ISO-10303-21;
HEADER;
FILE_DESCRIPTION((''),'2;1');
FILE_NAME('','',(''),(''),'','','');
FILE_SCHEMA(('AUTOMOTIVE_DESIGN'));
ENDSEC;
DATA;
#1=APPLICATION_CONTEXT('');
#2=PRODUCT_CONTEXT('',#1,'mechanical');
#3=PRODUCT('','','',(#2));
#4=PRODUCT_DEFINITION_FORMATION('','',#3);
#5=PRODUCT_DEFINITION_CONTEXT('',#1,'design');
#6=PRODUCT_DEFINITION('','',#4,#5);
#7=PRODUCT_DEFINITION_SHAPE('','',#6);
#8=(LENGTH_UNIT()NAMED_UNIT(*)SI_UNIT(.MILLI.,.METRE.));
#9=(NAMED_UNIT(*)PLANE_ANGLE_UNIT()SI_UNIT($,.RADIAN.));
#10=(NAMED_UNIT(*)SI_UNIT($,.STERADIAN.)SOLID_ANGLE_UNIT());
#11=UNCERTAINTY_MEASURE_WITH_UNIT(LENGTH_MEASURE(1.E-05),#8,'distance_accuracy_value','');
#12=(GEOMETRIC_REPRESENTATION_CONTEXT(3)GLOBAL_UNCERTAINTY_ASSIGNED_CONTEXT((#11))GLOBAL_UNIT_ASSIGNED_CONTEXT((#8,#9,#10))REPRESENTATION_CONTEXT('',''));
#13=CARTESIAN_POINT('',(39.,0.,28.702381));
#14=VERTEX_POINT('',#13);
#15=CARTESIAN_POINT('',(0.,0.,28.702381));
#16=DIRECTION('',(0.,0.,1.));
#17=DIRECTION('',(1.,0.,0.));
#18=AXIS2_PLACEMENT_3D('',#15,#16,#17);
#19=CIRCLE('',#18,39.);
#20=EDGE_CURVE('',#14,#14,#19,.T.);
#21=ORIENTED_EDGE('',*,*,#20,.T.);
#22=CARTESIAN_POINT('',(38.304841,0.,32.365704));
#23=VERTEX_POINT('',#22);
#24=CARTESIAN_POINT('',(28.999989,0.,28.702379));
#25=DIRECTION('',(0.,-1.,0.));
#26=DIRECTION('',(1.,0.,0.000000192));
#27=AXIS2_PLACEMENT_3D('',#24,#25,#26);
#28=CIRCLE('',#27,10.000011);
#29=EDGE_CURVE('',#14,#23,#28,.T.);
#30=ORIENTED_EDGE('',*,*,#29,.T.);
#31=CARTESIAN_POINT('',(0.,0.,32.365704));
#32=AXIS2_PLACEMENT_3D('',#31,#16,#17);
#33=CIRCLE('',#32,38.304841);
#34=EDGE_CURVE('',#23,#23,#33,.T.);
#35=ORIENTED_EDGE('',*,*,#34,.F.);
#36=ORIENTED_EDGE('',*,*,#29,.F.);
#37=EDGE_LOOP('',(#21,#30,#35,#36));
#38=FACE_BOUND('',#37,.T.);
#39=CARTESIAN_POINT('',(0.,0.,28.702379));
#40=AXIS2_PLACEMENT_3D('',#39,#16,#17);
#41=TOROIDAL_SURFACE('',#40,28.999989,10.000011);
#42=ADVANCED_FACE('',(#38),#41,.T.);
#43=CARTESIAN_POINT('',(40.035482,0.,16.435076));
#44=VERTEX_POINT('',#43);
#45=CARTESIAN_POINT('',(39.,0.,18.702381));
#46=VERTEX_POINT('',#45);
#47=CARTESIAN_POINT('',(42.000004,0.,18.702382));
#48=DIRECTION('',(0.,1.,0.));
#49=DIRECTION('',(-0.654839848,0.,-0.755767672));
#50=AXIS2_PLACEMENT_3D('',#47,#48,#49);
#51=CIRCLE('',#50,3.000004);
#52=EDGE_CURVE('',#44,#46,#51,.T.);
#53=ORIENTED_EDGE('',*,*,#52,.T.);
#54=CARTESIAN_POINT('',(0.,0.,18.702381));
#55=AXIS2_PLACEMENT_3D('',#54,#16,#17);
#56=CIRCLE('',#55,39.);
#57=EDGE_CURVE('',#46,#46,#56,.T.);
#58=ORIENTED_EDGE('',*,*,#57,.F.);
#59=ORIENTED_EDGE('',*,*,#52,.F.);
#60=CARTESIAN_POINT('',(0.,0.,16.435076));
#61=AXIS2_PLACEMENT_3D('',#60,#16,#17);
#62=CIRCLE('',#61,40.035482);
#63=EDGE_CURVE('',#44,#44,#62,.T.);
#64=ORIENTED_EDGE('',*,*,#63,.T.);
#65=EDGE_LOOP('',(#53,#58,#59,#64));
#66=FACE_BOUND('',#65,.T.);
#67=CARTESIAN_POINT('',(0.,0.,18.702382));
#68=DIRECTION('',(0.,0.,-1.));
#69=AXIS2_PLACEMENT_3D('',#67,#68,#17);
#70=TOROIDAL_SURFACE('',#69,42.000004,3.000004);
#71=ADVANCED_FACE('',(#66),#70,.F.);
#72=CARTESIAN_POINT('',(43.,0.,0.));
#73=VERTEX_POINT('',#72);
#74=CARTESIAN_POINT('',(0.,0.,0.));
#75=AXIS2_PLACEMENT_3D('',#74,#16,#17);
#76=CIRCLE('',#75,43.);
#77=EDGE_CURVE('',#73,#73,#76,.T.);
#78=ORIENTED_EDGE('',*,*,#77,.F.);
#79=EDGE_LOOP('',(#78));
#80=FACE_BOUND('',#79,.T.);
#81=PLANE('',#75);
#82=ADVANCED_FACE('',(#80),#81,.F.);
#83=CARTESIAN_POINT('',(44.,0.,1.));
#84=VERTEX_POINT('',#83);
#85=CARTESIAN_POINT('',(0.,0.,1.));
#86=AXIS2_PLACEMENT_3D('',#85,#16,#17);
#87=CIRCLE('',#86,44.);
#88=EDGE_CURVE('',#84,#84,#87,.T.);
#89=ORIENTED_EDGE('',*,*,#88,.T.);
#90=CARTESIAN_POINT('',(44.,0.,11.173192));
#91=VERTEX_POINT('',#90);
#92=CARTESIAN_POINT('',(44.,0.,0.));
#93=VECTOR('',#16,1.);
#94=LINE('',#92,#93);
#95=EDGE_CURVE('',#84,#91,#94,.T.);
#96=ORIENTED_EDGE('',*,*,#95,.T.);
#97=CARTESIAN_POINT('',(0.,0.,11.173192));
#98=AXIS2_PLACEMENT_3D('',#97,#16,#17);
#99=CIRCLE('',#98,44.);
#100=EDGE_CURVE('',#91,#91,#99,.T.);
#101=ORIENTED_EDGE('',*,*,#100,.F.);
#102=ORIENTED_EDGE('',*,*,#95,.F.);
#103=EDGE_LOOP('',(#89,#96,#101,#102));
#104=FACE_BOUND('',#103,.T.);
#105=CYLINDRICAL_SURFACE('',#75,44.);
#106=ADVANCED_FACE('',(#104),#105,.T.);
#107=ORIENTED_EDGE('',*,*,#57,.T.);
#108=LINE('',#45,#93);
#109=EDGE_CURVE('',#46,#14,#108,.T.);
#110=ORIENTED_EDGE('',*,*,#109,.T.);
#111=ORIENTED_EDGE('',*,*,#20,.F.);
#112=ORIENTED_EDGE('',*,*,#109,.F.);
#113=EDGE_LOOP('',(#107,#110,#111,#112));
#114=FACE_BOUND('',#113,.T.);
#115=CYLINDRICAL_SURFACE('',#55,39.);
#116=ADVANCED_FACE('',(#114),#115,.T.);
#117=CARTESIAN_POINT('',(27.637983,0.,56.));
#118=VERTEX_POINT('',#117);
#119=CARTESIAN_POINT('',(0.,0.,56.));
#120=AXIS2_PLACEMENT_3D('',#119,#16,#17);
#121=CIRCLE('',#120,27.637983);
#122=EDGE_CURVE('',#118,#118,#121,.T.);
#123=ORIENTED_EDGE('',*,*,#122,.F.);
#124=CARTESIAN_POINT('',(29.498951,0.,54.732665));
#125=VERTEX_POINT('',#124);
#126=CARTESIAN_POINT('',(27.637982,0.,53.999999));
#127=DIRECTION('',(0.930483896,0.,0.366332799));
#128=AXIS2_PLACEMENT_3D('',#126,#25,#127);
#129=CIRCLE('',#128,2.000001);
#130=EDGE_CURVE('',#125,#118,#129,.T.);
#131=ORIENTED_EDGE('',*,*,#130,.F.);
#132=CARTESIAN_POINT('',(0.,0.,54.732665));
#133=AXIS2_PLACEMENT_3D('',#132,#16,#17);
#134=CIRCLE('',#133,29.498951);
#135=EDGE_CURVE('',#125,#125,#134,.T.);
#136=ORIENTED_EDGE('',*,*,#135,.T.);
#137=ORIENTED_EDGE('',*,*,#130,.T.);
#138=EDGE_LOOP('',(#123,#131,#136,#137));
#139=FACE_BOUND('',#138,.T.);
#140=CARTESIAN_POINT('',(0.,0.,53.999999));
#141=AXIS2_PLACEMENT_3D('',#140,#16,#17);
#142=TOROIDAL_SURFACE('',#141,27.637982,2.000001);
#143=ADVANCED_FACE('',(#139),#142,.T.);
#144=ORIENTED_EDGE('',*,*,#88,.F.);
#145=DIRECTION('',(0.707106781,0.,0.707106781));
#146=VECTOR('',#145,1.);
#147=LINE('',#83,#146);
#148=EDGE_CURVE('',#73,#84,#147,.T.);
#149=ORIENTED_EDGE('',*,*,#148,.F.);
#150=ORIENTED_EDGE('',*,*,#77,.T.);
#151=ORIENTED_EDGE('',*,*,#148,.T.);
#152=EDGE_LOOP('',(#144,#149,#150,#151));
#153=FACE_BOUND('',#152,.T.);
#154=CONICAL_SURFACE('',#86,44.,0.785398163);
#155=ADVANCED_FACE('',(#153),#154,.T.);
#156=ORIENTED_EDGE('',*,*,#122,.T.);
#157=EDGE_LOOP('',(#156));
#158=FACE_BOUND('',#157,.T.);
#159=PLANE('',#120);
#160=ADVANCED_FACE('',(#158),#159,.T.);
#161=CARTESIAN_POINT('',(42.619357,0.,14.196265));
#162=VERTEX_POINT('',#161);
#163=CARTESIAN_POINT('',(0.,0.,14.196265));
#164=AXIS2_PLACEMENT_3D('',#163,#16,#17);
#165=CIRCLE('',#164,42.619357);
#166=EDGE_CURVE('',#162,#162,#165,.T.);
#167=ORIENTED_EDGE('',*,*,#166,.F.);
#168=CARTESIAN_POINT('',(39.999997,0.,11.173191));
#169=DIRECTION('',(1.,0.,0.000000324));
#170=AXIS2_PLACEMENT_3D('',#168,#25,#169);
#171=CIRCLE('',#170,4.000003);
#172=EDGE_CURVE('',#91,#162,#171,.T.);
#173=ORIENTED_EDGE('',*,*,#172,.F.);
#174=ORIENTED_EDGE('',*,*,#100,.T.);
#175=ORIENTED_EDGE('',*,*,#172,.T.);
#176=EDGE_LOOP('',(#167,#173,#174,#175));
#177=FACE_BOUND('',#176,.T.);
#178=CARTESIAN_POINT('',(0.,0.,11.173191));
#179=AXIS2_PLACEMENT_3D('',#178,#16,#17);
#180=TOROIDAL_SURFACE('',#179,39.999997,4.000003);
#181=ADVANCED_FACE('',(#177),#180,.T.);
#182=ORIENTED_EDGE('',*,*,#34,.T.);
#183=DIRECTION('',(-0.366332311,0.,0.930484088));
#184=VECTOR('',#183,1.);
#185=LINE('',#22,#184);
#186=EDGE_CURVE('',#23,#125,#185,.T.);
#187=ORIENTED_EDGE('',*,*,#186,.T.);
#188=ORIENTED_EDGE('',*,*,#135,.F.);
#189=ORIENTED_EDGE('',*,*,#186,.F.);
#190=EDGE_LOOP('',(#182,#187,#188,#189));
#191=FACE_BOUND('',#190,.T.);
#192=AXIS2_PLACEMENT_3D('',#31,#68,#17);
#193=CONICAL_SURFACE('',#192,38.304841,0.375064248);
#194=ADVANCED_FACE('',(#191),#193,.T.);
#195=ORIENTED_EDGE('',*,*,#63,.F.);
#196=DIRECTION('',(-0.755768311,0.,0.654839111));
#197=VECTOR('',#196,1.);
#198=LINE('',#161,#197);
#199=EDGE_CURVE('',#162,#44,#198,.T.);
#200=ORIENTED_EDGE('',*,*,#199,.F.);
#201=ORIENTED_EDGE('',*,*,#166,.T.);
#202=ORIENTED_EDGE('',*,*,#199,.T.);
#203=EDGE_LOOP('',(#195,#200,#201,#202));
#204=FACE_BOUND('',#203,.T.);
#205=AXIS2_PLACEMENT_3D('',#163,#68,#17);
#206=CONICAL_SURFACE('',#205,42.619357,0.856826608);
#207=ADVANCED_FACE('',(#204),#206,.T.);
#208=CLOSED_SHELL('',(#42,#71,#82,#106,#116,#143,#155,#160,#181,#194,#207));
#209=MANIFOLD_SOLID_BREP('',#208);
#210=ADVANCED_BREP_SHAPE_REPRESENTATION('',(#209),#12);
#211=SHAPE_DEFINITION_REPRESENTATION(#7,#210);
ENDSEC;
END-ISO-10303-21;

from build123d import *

# Parameters (mm, degrees)
F2_SIZE = 1


with BuildPart() as f1:
    # F0 (on Front) → F1 (revolve)
    with BuildSketch(Plane.XZ):
        with BuildLine():
            Line((0, 56), (0, 0))
            Line((0, 0), (44, 0))
            Line((44, 0), (44, 11.173192))
            ThreePointArc((44, 11.173192), (43.638504, 12.834904), (42.619357, 14.196265))
            Line((42.619357, 14.196265), (40.035482, 16.435076))
            ThreePointArc((40.035482, 16.435076), (39.271122, 17.456097), (39, 18.702381))
            Line((39, 18.702381), (39, 28.702381))
            ThreePointArc((39, 28.702381), (38.824673, 30.56673), (38.304841, 32.365704))
            Line((38.304841, 32.365704), (29.498951, 54.732665))
            ThreePointArc((29.498951, 54.732665), (28.763743, 55.653077), (27.637983, 56))
            Line((27.637983, 56), (0, 56))
        make_face()
    revolve(axis=Axis((0, 0, 28), (0, 0, 1)))

    # F2
    f2_edges = [f1.edges().sort_by_distance(p)[0] for p in [
        (-44, 0, 0),
    ]]
    chamfer(f2_edges, length=F2_SIZE)


solid = f1.part
